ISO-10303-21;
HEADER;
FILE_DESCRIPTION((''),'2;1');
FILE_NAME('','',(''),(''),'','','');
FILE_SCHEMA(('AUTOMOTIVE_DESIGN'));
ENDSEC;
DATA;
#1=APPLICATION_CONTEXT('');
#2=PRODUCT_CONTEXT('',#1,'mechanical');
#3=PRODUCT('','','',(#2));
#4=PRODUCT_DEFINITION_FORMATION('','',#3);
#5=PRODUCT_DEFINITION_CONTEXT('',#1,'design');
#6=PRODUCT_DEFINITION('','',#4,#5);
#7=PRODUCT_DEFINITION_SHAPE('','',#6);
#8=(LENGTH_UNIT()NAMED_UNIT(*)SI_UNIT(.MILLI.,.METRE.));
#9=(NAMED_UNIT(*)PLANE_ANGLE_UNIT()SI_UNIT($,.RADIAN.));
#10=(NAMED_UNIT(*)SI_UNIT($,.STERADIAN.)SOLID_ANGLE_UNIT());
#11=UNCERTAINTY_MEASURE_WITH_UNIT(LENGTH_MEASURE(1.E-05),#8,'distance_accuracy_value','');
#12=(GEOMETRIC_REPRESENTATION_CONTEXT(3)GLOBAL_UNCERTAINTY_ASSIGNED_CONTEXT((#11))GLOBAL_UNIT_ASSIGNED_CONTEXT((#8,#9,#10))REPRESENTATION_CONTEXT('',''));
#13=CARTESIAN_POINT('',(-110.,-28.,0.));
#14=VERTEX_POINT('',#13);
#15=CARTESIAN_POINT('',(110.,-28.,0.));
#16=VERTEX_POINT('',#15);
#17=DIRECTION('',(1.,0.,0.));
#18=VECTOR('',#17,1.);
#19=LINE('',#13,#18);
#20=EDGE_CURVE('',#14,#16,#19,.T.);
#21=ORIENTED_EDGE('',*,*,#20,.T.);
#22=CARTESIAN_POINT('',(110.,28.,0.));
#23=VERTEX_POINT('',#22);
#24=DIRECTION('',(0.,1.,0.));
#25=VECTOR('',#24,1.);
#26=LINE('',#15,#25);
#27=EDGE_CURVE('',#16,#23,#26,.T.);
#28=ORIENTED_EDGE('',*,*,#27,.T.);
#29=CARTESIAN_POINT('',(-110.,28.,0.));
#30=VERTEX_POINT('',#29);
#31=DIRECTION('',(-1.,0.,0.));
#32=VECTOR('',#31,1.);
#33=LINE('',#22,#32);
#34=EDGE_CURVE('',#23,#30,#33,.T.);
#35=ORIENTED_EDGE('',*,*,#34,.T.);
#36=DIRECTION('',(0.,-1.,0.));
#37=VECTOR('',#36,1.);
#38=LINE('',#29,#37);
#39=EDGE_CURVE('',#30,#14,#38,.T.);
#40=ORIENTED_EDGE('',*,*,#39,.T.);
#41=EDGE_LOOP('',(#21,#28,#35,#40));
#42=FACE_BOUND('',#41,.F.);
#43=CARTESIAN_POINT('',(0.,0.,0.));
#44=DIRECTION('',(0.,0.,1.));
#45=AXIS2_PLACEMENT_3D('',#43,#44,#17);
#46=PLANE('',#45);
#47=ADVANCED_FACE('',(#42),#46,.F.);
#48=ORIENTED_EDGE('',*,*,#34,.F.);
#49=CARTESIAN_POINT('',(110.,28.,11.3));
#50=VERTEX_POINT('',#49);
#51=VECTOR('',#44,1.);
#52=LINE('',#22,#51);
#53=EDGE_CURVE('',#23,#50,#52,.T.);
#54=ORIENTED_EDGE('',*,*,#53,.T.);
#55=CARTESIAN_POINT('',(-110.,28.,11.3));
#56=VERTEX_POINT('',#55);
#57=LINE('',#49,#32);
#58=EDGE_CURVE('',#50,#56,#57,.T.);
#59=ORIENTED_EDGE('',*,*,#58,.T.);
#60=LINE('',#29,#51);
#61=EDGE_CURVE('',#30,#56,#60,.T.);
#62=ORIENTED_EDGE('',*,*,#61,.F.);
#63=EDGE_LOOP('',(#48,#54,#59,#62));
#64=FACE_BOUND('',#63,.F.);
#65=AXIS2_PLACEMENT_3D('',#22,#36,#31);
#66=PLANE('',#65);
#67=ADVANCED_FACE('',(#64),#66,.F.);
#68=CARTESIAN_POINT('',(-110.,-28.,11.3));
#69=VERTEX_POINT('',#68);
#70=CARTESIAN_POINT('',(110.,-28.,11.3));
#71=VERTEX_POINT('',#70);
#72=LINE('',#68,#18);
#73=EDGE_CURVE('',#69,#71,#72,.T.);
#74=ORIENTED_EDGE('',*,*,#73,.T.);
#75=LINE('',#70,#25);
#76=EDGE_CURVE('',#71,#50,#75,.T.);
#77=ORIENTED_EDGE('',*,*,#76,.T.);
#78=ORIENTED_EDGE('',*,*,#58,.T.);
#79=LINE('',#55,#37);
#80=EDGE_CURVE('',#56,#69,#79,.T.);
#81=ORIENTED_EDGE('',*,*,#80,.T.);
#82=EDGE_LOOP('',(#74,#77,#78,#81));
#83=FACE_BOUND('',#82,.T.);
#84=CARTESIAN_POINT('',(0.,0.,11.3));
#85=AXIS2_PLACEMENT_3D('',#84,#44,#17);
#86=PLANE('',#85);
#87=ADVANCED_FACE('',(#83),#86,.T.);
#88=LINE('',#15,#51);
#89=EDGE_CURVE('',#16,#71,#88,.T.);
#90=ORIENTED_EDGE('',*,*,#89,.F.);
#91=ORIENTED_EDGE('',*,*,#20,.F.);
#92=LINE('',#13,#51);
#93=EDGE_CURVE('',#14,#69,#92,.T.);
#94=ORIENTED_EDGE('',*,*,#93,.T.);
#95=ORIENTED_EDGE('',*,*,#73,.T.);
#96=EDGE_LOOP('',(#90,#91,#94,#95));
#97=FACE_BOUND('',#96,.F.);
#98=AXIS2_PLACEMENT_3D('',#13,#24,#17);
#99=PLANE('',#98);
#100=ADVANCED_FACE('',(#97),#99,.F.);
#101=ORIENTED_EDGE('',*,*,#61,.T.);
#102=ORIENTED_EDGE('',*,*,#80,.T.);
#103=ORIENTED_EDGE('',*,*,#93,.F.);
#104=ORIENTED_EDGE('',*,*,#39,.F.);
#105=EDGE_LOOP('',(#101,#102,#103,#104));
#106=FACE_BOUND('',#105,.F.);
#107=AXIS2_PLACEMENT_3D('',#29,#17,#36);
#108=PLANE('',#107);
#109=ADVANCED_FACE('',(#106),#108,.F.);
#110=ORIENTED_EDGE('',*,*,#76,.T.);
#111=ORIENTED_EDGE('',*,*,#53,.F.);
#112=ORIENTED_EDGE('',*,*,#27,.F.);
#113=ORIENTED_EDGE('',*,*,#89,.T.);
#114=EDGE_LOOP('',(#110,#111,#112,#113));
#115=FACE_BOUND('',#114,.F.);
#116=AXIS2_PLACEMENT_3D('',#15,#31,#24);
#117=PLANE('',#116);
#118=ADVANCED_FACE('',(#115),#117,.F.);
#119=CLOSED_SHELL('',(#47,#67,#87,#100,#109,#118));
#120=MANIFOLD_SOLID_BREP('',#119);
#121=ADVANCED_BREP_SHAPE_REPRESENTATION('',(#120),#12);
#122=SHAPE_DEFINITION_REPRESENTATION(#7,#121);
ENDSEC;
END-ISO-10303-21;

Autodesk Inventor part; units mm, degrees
ref_plane "YZ Plane" through (0, 0, 0) normal (1, 0, 0) x (0, 1, 0)
ref_plane "XZ Plane" through (0, 0, 0) normal (0, 1, 0) x (-1, 0, 0)
ref_plane "XY Plane" through (0, 0, 0) normal (0, 0, 1) x (1, 0, 0)
sketch "Sketch1" plane through (0, 0, 0) normal (0, 0, 1) x (1, 0, 0)
  line L0 (-110, -28) -> (110, -28)
  line L1 (110, -28) -> (110, 28)
  line L2 (110, 28) -> (-110, 28)
  line L3 (-110, 28) -> (-110, -28)
  line L4 (-110, -28) -> (110, 28) construction
  line L5 (110, -28) -> (-110, 28) construction
  point P0 (0, 0)
  dimension "d0" = 220
  dimension "d1" = 56
extrude "Extrusion1" add sketch "Sketch1" along normal blind 11.3
properties part number "stock1"
